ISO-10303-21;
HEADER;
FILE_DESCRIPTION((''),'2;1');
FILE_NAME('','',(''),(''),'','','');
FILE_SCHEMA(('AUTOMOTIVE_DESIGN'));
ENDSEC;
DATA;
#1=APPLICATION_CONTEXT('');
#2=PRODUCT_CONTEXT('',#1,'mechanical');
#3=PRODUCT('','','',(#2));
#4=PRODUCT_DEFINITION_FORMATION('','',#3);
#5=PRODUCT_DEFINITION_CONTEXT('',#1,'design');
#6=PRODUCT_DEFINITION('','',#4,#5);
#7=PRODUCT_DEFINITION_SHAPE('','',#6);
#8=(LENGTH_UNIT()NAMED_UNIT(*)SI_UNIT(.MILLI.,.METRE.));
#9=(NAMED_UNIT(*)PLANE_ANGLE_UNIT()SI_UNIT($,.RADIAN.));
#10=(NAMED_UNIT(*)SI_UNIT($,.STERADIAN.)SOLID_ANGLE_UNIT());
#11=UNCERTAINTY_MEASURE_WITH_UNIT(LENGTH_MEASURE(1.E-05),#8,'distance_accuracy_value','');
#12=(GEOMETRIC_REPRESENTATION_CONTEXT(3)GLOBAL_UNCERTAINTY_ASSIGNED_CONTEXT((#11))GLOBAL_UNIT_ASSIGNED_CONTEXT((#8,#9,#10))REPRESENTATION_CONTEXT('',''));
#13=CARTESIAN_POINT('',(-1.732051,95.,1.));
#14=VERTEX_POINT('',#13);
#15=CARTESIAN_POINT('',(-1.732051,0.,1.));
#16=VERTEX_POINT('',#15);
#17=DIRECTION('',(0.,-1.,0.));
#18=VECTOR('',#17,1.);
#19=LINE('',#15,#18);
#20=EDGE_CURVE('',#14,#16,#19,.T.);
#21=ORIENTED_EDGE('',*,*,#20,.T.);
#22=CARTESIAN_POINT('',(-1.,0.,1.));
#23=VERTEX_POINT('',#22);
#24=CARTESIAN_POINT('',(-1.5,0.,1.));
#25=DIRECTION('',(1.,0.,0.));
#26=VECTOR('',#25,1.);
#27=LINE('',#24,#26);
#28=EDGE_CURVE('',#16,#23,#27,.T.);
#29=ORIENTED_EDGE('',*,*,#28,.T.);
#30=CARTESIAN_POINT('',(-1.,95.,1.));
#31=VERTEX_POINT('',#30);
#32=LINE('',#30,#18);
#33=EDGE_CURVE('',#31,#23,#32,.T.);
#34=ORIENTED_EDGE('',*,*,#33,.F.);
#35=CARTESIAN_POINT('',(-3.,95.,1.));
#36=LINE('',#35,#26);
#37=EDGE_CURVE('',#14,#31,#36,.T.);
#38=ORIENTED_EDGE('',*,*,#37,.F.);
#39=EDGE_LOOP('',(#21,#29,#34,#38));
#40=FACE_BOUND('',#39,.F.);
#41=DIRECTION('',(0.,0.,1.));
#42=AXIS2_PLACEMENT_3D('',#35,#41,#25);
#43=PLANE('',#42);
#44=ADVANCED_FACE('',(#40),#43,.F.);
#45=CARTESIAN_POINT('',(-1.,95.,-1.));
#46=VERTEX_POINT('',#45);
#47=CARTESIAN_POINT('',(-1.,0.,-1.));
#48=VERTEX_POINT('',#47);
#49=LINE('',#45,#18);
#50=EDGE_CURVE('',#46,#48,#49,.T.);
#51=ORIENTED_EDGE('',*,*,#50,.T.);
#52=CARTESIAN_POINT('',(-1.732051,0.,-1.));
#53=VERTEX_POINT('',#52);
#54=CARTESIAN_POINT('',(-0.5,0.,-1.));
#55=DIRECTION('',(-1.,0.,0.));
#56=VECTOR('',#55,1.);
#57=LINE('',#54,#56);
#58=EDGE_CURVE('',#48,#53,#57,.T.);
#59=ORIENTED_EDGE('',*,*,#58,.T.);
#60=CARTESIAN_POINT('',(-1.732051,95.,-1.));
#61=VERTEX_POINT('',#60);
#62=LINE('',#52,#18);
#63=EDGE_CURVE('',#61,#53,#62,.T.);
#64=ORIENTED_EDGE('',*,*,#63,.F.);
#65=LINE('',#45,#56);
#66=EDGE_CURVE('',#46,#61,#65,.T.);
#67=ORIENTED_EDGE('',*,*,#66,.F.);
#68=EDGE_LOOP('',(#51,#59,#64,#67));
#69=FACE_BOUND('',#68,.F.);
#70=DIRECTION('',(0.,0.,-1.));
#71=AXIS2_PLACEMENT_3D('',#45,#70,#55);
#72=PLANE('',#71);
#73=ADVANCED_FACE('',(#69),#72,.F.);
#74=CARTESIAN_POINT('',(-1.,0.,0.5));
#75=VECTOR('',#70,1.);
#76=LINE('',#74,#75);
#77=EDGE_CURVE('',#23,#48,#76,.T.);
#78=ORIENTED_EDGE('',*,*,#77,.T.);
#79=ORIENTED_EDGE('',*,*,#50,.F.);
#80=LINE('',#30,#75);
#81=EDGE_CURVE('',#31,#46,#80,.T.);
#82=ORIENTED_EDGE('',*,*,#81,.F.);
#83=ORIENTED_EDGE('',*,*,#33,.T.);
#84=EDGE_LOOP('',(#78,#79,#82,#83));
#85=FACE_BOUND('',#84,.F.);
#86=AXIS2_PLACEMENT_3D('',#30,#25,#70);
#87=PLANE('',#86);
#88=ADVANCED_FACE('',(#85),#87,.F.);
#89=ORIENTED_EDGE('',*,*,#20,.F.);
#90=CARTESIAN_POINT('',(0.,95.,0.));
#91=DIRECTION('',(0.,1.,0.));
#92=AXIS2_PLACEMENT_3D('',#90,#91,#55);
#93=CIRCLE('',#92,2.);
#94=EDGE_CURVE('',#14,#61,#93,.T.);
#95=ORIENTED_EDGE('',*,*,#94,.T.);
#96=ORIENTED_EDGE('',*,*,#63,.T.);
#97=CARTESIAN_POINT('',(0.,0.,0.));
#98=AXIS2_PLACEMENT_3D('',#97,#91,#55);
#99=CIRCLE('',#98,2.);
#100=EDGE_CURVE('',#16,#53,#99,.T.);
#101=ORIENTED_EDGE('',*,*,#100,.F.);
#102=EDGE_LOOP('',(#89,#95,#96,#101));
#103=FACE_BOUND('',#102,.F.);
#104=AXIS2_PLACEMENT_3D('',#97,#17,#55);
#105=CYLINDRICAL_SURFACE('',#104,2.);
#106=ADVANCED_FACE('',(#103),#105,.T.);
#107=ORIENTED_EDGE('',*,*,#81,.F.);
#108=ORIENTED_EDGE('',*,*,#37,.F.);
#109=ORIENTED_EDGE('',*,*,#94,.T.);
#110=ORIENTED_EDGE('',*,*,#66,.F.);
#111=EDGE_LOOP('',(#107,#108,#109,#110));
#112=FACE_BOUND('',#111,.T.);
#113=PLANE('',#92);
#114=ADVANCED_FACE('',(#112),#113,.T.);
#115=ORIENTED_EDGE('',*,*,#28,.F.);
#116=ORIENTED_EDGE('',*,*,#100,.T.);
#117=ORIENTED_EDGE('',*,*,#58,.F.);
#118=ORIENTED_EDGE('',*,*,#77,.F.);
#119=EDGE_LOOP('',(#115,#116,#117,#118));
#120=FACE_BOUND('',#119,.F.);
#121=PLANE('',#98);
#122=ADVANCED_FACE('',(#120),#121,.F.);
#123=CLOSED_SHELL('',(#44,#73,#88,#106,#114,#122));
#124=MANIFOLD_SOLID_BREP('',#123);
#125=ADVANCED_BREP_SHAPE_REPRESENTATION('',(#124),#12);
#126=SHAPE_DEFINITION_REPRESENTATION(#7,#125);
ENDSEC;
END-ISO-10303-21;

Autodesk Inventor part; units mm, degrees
ref_plane "YZ Plane" through (0, 0, 0) normal (1, 0, 0) x (0, 1, 0)
ref_plane "XZ Plane" through (0, 0, 0) normal (0, 1, 0) x (-1, 0, 0)
ref_plane "XY Plane" through (0, 0, 0) normal (0, 0, 1) x (1, 0, 0)
sketch "Sketch1" plane through (0, 0, 0) normal (0, 1, 0) x (-1, 0, 0)
  circle A0 centre (0, 0) radius 2
  dimension "d0" = 4
extrude "Extrusion1" add sketch "Sketch1" along normal blind 95
thread "Thread1" size "M4x0.7" class "6g" standard "ANSI Metric M Profile" full length
sketch "Sketch2" plane through (0, 95, 0) normal (0, 1, 0) x (1, 0, 0)
  line L0 (-3, -1) -> (-1, -1)
  line L1 (-1, -1) -> (-1, 1)
  line L2 (-1, 1) -> (-3, 1)
  line L3 (-3, 1) -> (-3, -1)
  point P0 (0, 0)
  point P1 (-1, 0)
  dimension "d5" = 2
  dimension "d6" = 1
  dimension "d7" = 2
extrude "Extrusion2" cut sketch "Sketch2" against normal through all
properties part number "pusher rod"
